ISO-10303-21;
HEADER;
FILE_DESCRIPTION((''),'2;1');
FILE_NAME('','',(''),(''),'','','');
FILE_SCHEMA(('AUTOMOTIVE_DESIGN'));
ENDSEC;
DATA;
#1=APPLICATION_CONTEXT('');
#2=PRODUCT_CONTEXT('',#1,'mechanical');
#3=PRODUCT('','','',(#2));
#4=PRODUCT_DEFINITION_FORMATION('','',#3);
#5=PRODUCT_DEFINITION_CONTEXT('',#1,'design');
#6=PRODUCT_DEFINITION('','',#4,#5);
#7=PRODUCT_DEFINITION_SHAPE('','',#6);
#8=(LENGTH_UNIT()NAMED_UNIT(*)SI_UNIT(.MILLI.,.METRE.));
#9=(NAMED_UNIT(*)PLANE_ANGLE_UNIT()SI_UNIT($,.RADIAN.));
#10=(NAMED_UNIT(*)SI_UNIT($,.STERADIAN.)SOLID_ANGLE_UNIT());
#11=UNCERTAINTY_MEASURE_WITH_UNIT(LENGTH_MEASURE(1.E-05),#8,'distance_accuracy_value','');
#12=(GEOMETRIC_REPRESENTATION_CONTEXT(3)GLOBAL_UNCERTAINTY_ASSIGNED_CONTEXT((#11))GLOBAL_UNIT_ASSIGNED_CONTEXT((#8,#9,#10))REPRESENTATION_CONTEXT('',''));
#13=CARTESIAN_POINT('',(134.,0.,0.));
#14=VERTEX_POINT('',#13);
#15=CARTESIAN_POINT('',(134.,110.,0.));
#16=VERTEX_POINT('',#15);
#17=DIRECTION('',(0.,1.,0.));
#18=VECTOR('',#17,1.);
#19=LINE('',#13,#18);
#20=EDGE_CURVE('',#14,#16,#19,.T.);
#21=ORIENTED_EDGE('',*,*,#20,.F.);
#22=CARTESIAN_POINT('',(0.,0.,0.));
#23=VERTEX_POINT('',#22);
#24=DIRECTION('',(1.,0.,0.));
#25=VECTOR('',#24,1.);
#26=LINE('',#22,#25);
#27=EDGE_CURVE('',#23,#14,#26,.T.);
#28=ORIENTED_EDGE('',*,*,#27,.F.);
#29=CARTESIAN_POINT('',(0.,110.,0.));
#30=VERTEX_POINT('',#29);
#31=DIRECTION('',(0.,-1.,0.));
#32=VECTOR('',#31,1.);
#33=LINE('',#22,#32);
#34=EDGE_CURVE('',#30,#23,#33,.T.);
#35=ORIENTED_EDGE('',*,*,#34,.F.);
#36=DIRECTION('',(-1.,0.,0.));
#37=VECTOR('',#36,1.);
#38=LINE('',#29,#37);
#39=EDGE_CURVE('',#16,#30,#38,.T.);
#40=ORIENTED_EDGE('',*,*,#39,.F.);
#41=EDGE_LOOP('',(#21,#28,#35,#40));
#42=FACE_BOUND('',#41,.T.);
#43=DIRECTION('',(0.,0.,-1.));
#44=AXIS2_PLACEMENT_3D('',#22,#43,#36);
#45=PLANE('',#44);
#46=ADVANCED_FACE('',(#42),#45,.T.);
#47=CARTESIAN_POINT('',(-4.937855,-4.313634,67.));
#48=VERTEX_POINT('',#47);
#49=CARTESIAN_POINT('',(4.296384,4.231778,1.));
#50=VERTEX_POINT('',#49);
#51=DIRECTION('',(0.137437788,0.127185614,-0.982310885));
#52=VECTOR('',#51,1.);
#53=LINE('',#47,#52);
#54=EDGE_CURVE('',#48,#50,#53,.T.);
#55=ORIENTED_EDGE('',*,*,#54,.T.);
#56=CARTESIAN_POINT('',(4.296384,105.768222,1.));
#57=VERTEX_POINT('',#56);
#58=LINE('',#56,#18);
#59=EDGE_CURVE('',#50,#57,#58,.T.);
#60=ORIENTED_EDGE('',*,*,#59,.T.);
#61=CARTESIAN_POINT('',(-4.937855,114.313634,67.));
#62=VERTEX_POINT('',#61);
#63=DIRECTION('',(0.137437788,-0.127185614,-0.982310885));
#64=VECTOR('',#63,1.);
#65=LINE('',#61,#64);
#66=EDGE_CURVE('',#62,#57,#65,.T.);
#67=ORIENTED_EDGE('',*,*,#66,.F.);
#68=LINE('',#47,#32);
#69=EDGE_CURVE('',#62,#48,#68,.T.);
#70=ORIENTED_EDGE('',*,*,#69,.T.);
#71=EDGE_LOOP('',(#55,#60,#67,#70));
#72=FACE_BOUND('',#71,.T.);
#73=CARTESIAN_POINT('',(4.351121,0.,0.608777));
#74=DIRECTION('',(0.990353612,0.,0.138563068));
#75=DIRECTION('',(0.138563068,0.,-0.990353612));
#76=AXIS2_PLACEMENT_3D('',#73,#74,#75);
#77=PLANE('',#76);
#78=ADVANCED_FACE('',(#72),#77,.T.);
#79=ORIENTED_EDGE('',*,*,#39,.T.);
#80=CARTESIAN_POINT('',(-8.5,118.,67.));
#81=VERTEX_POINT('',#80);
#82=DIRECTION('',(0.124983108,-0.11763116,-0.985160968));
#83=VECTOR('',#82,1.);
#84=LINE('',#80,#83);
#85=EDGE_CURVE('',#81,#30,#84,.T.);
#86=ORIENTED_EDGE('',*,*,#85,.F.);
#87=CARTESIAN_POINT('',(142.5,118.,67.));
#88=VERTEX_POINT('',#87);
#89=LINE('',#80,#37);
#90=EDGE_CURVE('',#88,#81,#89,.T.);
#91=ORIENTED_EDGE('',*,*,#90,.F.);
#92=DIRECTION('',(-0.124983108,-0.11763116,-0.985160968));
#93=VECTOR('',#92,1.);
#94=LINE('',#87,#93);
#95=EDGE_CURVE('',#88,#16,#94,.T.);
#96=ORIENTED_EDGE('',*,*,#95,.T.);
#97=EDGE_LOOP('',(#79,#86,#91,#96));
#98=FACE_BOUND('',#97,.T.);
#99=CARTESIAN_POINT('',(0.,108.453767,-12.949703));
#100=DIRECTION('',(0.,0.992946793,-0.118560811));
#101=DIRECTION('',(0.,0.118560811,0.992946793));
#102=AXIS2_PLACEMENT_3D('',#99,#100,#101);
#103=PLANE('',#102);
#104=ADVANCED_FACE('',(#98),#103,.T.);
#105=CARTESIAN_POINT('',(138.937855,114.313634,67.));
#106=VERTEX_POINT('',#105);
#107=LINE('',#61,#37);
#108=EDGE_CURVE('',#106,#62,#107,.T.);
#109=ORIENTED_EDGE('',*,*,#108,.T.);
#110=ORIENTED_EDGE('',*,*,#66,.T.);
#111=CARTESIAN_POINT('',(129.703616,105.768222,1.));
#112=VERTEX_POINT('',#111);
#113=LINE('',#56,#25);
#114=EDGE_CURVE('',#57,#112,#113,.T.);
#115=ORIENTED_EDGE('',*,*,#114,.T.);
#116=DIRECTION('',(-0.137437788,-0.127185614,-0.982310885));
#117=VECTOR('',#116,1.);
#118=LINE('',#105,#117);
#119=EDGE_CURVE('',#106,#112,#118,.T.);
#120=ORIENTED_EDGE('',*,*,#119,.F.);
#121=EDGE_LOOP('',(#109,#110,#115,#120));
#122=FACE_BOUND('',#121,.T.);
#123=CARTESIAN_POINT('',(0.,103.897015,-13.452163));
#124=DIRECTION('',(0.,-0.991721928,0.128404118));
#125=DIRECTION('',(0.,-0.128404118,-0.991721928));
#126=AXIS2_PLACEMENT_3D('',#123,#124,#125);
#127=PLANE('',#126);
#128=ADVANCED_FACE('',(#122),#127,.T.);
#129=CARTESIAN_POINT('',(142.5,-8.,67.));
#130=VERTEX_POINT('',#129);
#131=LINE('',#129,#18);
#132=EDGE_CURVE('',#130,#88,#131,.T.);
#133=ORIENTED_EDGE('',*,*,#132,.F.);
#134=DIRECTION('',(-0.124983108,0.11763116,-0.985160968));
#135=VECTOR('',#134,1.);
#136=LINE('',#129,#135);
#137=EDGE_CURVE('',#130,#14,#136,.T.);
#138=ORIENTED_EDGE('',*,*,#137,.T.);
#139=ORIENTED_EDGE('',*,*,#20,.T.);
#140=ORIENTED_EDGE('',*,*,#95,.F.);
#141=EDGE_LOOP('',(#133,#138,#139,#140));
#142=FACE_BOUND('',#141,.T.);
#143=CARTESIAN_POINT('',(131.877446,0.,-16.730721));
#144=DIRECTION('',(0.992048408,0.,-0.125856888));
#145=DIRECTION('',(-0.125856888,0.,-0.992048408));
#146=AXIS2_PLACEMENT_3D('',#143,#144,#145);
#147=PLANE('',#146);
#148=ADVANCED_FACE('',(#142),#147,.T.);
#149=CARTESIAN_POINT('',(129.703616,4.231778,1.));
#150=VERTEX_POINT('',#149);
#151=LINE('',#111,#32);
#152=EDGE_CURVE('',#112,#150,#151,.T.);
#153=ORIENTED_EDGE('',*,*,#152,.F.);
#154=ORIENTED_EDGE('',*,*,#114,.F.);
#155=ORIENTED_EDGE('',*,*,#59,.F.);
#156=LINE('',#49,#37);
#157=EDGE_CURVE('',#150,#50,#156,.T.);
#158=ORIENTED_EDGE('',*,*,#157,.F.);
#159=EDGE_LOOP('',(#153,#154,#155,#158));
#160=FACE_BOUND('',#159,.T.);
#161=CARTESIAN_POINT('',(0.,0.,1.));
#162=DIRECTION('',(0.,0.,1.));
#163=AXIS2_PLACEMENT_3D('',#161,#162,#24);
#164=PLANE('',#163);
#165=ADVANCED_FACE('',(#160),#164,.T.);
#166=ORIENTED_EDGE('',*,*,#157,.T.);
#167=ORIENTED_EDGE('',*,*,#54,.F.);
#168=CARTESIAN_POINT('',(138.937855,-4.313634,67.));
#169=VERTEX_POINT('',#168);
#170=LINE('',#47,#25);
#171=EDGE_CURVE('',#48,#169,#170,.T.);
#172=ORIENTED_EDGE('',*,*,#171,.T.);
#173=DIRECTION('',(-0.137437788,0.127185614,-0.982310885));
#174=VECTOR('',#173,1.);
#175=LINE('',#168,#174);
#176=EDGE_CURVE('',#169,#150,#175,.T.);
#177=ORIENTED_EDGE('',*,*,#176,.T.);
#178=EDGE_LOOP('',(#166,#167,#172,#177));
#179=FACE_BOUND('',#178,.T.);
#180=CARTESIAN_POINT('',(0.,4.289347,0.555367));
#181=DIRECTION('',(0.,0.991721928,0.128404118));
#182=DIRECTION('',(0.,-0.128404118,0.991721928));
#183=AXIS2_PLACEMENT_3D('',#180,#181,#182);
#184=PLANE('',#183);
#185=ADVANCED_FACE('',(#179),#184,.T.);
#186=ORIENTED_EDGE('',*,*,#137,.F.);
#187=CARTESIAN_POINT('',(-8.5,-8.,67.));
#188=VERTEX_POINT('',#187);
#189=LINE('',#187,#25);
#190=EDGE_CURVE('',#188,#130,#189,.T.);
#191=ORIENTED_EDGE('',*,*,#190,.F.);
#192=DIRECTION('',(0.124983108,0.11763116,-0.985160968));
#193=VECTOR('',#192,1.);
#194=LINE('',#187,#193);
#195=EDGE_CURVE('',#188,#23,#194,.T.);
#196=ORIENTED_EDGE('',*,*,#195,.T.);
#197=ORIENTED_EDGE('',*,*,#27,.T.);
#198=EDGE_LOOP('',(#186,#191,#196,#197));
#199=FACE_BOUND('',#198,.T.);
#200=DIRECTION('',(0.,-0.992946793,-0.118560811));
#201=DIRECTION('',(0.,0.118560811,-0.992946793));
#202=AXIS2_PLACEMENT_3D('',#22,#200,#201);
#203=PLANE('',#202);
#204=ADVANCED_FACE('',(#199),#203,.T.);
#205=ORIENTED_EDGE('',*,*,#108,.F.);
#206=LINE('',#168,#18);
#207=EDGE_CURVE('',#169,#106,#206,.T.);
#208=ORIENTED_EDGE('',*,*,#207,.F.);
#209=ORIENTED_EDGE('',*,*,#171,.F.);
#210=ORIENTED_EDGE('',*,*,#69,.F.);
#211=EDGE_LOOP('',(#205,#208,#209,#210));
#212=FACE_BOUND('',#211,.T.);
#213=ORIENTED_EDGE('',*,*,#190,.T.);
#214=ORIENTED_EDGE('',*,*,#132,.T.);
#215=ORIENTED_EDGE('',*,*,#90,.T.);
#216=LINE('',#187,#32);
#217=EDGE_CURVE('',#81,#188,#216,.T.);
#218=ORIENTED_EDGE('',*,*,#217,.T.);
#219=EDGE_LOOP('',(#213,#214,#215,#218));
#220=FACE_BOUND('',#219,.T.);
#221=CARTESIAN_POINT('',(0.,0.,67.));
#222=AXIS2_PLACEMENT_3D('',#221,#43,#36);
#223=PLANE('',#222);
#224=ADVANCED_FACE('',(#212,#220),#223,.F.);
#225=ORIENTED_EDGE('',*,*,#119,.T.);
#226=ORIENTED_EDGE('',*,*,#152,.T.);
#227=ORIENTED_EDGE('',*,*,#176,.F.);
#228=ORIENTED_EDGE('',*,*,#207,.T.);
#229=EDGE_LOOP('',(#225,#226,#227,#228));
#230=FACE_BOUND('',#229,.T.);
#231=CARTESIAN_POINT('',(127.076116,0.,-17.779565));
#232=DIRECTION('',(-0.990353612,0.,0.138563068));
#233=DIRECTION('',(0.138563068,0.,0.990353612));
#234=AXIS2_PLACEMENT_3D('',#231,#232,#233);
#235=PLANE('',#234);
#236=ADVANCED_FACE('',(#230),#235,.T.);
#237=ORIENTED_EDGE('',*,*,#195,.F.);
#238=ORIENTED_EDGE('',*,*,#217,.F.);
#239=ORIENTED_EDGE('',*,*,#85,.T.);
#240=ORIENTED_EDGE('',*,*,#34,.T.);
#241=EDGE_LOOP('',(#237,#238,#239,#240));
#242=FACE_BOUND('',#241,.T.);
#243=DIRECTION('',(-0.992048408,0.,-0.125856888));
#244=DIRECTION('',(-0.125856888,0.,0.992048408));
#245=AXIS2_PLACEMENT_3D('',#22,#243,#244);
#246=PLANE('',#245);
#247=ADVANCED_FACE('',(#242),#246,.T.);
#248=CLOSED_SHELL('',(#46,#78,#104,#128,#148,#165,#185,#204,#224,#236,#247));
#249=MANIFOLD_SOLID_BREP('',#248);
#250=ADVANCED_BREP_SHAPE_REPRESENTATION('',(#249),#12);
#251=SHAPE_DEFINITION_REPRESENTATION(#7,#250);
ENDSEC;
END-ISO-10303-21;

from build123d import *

# Parameters (mm, degrees)
SKETCH_2_W = 151
SKETCH_2_H = 126
SKETCH_1_W = 134
SKETCH_1_H = 110
SKETCH_3_W = 143.875710796
SKETCH_3_H = 118.62726712
SKETCH_4_W = 125.407231672
SKETCH_4_H = 101.536444544


with BuildPart() as part:
    # 草图2 → 放样2 section 0
    with BuildSketch(Plane.XY.offset(67)):
        with Locations((67, 55)):
            Rectangle(SKETCH_2_W, SKETCH_2_H)
    # 草图1 → 放样2 section 1
    with BuildSketch(Plane.XY):
        with Locations((67, 55)):
            Rectangle(SKETCH_1_W, SKETCH_1_H)
    loft()

    # 草图3 → 切除-放样3 section 0
    with BuildSketch(Plane.XY.offset(67)):
        with Locations((67, 55)):
            Rectangle(SKETCH_3_W, SKETCH_3_H)
    # 草图4 → 切除-放样3 section 1
    with BuildSketch(Plane(origin=(0, 0, 1), x_dir=(-1, 0, 0), z_dir=(0, 0, -1))):
        with Locations((-67, 55)):
            Rectangle(SKETCH_4_W, SKETCH_4_H)
    loft(mode=Mode.SUBTRACT)


solid = part.part
